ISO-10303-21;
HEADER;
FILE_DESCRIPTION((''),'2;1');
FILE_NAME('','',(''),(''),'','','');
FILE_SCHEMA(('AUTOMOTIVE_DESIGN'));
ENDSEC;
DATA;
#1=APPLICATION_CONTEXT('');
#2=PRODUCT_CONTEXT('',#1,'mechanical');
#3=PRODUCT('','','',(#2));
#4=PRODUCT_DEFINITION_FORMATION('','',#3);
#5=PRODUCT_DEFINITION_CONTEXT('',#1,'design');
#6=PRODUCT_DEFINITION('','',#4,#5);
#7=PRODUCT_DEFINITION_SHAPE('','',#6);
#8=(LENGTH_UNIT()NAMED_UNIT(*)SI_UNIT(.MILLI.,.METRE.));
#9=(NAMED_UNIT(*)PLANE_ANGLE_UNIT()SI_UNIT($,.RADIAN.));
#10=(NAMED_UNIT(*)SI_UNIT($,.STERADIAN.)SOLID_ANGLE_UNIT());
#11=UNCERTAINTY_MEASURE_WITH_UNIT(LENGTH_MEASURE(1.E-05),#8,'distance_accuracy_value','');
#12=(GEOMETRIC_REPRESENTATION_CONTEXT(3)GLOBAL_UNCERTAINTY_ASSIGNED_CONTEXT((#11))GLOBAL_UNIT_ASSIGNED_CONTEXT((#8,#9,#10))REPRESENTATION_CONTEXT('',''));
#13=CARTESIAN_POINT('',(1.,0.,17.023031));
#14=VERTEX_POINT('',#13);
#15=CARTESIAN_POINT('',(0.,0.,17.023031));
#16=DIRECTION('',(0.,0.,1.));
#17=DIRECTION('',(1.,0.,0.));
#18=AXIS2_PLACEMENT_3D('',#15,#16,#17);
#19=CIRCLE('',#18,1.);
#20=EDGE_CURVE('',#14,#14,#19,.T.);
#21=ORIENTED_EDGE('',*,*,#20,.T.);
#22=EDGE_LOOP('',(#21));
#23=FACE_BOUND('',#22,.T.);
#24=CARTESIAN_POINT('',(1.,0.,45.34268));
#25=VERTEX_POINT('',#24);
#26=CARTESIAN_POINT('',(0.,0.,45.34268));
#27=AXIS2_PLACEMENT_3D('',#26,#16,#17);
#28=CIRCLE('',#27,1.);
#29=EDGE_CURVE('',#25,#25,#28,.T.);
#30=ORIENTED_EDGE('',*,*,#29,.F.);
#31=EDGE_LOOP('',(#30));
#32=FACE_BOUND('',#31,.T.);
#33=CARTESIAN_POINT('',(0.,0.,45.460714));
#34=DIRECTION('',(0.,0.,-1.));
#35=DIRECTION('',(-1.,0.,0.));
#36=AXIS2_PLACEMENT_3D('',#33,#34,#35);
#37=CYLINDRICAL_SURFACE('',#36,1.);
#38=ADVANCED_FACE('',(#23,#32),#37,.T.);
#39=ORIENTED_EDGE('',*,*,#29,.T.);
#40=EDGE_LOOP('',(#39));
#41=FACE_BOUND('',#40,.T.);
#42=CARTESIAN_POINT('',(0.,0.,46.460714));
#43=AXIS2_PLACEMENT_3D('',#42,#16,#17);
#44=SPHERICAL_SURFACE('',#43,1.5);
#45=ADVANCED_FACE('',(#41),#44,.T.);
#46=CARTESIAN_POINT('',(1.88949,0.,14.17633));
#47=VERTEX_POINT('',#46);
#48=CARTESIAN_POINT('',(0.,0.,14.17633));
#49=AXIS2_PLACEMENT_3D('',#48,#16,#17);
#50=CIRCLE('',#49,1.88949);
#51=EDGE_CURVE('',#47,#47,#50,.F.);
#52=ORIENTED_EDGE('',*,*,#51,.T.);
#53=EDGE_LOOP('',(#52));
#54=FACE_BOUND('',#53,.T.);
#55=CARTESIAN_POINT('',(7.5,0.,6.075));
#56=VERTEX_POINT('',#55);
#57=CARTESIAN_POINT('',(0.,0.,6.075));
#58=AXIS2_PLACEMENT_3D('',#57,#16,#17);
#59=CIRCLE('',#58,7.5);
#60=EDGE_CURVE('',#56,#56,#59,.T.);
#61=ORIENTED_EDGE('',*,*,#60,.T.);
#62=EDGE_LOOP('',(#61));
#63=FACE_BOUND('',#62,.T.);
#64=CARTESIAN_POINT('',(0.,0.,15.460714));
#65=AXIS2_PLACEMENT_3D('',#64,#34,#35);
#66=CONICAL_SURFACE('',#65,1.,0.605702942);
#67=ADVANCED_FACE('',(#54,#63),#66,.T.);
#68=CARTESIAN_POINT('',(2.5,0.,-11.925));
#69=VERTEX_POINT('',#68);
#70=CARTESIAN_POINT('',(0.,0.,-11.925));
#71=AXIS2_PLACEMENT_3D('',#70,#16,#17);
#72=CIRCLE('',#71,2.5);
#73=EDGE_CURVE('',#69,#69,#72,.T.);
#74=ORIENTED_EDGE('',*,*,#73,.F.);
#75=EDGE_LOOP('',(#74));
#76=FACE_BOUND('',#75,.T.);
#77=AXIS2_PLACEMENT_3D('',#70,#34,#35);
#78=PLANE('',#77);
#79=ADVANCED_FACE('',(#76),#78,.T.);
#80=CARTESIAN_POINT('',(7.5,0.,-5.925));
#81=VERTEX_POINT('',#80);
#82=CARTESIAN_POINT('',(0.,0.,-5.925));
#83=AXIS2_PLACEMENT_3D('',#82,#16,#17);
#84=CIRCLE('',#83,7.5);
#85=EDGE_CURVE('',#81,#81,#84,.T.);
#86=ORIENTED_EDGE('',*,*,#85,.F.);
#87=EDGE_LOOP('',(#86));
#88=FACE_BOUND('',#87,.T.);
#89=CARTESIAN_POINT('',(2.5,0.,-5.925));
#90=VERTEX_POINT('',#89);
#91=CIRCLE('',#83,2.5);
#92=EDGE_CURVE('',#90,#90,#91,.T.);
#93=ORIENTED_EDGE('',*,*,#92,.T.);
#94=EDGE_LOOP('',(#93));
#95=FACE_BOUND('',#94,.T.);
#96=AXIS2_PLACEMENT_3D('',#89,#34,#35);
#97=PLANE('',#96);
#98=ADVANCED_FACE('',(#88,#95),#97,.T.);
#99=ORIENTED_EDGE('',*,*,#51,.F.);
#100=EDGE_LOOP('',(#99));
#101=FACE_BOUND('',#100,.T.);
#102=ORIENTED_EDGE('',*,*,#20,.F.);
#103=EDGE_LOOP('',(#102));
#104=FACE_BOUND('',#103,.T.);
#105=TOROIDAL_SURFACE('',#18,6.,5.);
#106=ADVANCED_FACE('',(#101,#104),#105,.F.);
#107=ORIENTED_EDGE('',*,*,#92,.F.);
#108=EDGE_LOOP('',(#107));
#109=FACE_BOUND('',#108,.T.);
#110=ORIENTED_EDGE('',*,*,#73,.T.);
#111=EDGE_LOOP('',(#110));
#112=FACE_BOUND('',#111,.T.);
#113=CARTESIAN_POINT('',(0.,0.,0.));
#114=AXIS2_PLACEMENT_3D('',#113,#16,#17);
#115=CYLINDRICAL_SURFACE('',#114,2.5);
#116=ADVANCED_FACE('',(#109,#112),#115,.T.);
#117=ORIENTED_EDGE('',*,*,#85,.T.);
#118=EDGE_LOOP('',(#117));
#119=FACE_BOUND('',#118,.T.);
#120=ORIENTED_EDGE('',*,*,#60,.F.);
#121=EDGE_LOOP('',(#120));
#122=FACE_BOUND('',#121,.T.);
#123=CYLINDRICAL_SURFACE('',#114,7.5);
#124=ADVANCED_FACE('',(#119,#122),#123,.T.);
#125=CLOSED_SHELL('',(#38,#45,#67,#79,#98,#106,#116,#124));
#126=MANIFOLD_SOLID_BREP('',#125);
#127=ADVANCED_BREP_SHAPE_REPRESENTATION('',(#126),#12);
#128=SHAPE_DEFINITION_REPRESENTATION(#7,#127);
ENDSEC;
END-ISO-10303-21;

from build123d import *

# Parameters (mm, degrees)
SKETCH2_R           = 1
BOSS_EXTRUDE1_DEPTH = 30
FILLET1_R           = 5


with BuildPart() as part:
    # Sketch1 → Revolve1 (revolve)
    with BuildSketch(Plane(origin=(0, 0, 0), x_dir=(1, 0, 0), z_dir=(0, 1, 0))):
        Polygon((0, 0), (0, 11.925), (2.5, 11.925), (2.5, 5.925), (7.5, 5.925), (7.5, -6.075), (1, -15.460714286), (0, -15.460714286), align=None)
    revolve(axis=Axis((0, 0, 0), (0, 0, -1)))

    # Sketch2 → Boss-Extrude1 (add)
    with BuildSketch(Plane.XY.offset(15.460714286)):
        Circle(SKETCH2_R)
    extrude(amount=BOSS_EXTRUDE1_DEPTH)

    # Fillet1
    fillet1_edges = [part.edges().sort_by_distance(p)[0] for p in [
        (-1, 0, 15.460714286),
    ]]
    fillet(fillet1_edges, radius=FILLET1_R)

    # Sketch4 → Revolve8 (revolve)
    with BuildSketch(Plane(origin=(0, 0, 46.460714286), x_dir=(-1, 0, 0), z_dir=(0, 0, -1))):
        with BuildLine():
            Line((-1.5, 0), (1.5, 0))
            ThreePointArc((1.5, 0), (0, -1.5), (-1.5, 0))
        make_face()
    revolve(axis=Axis((-1.5, 0, 46.460714286), (1, 0, 0)))


solid = part.part
